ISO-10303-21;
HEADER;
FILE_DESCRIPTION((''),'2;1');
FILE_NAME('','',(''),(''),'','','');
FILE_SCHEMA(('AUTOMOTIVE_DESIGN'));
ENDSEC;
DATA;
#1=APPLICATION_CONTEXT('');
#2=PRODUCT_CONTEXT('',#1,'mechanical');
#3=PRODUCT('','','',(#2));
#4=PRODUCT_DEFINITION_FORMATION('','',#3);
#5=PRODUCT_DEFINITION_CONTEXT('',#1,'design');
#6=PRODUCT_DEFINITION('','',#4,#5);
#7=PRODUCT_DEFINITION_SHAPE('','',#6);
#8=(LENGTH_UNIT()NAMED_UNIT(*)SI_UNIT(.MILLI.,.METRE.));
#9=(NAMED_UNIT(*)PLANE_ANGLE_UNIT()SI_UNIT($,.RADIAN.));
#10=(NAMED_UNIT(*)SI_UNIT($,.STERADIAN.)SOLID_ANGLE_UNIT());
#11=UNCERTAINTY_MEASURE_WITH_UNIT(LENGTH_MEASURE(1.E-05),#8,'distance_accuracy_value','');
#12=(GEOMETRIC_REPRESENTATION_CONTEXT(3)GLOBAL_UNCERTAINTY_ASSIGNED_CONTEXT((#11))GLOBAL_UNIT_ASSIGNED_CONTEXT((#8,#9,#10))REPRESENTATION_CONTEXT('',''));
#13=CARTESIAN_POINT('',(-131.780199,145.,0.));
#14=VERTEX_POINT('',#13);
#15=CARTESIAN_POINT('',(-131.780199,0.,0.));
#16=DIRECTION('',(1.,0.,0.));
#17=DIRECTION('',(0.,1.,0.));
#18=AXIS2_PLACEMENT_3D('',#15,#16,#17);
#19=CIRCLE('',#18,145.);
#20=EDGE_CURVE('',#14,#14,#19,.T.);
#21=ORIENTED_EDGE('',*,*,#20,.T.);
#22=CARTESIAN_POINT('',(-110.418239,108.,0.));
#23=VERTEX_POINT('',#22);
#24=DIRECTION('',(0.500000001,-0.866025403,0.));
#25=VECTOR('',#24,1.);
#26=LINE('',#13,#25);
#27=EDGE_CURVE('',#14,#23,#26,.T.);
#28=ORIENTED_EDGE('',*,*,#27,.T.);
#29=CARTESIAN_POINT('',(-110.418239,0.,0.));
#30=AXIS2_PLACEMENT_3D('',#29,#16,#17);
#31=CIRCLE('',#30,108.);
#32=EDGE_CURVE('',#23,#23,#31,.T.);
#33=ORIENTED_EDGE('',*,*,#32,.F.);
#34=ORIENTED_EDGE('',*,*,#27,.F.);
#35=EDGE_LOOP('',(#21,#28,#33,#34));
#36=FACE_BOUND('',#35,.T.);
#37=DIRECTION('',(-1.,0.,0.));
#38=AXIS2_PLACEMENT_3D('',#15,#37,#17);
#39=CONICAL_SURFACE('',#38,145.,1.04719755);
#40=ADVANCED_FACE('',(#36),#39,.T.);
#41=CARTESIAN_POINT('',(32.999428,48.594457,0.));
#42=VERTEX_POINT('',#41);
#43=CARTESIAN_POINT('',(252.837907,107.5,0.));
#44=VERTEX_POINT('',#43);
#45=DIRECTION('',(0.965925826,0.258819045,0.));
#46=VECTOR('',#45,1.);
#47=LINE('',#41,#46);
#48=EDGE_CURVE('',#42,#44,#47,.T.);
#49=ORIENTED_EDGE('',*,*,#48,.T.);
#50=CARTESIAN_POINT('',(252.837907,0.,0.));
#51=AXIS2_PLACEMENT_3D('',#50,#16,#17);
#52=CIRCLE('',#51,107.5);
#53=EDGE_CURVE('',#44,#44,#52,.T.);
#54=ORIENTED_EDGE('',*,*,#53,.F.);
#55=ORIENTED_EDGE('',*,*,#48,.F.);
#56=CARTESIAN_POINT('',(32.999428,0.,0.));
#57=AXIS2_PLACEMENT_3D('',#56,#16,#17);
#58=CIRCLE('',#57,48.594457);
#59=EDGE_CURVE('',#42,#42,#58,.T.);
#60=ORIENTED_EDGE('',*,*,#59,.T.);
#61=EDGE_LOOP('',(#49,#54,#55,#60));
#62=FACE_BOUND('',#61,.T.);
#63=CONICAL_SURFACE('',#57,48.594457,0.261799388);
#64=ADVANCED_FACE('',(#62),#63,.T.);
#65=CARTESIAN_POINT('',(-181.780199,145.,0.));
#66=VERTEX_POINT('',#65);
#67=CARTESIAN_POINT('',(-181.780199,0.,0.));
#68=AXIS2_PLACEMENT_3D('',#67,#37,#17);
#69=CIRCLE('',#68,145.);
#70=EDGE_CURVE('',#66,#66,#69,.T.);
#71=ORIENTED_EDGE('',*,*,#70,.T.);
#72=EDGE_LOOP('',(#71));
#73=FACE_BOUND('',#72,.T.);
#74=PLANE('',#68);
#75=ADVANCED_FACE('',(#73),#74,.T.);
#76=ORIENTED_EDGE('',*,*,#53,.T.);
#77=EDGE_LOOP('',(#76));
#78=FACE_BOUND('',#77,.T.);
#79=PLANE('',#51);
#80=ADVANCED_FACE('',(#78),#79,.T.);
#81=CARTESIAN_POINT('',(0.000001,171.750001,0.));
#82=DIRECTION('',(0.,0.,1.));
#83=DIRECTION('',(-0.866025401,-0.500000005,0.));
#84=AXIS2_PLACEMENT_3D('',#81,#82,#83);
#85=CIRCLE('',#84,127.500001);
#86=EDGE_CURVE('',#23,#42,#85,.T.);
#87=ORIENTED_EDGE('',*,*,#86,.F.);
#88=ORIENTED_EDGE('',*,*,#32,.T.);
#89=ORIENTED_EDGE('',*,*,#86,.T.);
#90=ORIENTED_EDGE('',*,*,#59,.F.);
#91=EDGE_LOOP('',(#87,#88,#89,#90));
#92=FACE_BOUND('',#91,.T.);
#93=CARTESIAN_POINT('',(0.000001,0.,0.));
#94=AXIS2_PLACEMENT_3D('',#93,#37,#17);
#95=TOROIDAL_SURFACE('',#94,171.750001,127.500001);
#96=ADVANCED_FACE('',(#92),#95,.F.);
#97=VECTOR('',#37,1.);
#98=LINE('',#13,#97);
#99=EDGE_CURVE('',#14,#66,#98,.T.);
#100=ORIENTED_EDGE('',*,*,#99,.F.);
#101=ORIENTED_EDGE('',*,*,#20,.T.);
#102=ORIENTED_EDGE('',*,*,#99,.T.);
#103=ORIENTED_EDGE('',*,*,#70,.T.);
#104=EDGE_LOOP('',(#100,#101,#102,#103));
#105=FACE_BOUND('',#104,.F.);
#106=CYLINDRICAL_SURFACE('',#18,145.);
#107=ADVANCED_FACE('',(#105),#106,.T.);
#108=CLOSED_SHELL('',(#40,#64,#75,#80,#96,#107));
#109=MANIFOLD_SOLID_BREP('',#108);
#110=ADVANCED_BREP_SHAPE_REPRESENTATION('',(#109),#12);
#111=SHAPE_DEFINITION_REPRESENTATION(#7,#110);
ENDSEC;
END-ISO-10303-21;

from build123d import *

# Parameters (mm, degrees)
REVOLUTION_FACE4_R = 145
PAD_DEPTH          = 50


with BuildPart() as part:
    # Sketch → Revolution (revolve)
    with BuildSketch(Plane.XY):
        with BuildLine():
            ThreePointArc((-110.418239, 108), (-48.792138, 53.95536), (32.999428, 48.594457))
            Line((32.999428, 48.594457), (252.837907, 107.5))
            Line((252.837907, 107.5), (252.837907, 0))
            Line((-131.780199, 0), (252.837907, 0))
            Line((-131.780199, 145), (-131.780199, 0))
            Line((-131.780199, 145), (-110.418239, 108))
        make_face()
    revolve(axis=Axis((0, 0, 0), (1, 0, 0)))

    # Revolution Face4 → Pad (new)
    with BuildSketch(Plane(origin=(-131.780199, 0, 0), x_dir=(0, 1, 0), z_dir=(-1, 0, 0))):
        Circle(REVOLUTION_FACE4_R)
    extrude(amount=PAD_DEPTH)


solid = part.part
